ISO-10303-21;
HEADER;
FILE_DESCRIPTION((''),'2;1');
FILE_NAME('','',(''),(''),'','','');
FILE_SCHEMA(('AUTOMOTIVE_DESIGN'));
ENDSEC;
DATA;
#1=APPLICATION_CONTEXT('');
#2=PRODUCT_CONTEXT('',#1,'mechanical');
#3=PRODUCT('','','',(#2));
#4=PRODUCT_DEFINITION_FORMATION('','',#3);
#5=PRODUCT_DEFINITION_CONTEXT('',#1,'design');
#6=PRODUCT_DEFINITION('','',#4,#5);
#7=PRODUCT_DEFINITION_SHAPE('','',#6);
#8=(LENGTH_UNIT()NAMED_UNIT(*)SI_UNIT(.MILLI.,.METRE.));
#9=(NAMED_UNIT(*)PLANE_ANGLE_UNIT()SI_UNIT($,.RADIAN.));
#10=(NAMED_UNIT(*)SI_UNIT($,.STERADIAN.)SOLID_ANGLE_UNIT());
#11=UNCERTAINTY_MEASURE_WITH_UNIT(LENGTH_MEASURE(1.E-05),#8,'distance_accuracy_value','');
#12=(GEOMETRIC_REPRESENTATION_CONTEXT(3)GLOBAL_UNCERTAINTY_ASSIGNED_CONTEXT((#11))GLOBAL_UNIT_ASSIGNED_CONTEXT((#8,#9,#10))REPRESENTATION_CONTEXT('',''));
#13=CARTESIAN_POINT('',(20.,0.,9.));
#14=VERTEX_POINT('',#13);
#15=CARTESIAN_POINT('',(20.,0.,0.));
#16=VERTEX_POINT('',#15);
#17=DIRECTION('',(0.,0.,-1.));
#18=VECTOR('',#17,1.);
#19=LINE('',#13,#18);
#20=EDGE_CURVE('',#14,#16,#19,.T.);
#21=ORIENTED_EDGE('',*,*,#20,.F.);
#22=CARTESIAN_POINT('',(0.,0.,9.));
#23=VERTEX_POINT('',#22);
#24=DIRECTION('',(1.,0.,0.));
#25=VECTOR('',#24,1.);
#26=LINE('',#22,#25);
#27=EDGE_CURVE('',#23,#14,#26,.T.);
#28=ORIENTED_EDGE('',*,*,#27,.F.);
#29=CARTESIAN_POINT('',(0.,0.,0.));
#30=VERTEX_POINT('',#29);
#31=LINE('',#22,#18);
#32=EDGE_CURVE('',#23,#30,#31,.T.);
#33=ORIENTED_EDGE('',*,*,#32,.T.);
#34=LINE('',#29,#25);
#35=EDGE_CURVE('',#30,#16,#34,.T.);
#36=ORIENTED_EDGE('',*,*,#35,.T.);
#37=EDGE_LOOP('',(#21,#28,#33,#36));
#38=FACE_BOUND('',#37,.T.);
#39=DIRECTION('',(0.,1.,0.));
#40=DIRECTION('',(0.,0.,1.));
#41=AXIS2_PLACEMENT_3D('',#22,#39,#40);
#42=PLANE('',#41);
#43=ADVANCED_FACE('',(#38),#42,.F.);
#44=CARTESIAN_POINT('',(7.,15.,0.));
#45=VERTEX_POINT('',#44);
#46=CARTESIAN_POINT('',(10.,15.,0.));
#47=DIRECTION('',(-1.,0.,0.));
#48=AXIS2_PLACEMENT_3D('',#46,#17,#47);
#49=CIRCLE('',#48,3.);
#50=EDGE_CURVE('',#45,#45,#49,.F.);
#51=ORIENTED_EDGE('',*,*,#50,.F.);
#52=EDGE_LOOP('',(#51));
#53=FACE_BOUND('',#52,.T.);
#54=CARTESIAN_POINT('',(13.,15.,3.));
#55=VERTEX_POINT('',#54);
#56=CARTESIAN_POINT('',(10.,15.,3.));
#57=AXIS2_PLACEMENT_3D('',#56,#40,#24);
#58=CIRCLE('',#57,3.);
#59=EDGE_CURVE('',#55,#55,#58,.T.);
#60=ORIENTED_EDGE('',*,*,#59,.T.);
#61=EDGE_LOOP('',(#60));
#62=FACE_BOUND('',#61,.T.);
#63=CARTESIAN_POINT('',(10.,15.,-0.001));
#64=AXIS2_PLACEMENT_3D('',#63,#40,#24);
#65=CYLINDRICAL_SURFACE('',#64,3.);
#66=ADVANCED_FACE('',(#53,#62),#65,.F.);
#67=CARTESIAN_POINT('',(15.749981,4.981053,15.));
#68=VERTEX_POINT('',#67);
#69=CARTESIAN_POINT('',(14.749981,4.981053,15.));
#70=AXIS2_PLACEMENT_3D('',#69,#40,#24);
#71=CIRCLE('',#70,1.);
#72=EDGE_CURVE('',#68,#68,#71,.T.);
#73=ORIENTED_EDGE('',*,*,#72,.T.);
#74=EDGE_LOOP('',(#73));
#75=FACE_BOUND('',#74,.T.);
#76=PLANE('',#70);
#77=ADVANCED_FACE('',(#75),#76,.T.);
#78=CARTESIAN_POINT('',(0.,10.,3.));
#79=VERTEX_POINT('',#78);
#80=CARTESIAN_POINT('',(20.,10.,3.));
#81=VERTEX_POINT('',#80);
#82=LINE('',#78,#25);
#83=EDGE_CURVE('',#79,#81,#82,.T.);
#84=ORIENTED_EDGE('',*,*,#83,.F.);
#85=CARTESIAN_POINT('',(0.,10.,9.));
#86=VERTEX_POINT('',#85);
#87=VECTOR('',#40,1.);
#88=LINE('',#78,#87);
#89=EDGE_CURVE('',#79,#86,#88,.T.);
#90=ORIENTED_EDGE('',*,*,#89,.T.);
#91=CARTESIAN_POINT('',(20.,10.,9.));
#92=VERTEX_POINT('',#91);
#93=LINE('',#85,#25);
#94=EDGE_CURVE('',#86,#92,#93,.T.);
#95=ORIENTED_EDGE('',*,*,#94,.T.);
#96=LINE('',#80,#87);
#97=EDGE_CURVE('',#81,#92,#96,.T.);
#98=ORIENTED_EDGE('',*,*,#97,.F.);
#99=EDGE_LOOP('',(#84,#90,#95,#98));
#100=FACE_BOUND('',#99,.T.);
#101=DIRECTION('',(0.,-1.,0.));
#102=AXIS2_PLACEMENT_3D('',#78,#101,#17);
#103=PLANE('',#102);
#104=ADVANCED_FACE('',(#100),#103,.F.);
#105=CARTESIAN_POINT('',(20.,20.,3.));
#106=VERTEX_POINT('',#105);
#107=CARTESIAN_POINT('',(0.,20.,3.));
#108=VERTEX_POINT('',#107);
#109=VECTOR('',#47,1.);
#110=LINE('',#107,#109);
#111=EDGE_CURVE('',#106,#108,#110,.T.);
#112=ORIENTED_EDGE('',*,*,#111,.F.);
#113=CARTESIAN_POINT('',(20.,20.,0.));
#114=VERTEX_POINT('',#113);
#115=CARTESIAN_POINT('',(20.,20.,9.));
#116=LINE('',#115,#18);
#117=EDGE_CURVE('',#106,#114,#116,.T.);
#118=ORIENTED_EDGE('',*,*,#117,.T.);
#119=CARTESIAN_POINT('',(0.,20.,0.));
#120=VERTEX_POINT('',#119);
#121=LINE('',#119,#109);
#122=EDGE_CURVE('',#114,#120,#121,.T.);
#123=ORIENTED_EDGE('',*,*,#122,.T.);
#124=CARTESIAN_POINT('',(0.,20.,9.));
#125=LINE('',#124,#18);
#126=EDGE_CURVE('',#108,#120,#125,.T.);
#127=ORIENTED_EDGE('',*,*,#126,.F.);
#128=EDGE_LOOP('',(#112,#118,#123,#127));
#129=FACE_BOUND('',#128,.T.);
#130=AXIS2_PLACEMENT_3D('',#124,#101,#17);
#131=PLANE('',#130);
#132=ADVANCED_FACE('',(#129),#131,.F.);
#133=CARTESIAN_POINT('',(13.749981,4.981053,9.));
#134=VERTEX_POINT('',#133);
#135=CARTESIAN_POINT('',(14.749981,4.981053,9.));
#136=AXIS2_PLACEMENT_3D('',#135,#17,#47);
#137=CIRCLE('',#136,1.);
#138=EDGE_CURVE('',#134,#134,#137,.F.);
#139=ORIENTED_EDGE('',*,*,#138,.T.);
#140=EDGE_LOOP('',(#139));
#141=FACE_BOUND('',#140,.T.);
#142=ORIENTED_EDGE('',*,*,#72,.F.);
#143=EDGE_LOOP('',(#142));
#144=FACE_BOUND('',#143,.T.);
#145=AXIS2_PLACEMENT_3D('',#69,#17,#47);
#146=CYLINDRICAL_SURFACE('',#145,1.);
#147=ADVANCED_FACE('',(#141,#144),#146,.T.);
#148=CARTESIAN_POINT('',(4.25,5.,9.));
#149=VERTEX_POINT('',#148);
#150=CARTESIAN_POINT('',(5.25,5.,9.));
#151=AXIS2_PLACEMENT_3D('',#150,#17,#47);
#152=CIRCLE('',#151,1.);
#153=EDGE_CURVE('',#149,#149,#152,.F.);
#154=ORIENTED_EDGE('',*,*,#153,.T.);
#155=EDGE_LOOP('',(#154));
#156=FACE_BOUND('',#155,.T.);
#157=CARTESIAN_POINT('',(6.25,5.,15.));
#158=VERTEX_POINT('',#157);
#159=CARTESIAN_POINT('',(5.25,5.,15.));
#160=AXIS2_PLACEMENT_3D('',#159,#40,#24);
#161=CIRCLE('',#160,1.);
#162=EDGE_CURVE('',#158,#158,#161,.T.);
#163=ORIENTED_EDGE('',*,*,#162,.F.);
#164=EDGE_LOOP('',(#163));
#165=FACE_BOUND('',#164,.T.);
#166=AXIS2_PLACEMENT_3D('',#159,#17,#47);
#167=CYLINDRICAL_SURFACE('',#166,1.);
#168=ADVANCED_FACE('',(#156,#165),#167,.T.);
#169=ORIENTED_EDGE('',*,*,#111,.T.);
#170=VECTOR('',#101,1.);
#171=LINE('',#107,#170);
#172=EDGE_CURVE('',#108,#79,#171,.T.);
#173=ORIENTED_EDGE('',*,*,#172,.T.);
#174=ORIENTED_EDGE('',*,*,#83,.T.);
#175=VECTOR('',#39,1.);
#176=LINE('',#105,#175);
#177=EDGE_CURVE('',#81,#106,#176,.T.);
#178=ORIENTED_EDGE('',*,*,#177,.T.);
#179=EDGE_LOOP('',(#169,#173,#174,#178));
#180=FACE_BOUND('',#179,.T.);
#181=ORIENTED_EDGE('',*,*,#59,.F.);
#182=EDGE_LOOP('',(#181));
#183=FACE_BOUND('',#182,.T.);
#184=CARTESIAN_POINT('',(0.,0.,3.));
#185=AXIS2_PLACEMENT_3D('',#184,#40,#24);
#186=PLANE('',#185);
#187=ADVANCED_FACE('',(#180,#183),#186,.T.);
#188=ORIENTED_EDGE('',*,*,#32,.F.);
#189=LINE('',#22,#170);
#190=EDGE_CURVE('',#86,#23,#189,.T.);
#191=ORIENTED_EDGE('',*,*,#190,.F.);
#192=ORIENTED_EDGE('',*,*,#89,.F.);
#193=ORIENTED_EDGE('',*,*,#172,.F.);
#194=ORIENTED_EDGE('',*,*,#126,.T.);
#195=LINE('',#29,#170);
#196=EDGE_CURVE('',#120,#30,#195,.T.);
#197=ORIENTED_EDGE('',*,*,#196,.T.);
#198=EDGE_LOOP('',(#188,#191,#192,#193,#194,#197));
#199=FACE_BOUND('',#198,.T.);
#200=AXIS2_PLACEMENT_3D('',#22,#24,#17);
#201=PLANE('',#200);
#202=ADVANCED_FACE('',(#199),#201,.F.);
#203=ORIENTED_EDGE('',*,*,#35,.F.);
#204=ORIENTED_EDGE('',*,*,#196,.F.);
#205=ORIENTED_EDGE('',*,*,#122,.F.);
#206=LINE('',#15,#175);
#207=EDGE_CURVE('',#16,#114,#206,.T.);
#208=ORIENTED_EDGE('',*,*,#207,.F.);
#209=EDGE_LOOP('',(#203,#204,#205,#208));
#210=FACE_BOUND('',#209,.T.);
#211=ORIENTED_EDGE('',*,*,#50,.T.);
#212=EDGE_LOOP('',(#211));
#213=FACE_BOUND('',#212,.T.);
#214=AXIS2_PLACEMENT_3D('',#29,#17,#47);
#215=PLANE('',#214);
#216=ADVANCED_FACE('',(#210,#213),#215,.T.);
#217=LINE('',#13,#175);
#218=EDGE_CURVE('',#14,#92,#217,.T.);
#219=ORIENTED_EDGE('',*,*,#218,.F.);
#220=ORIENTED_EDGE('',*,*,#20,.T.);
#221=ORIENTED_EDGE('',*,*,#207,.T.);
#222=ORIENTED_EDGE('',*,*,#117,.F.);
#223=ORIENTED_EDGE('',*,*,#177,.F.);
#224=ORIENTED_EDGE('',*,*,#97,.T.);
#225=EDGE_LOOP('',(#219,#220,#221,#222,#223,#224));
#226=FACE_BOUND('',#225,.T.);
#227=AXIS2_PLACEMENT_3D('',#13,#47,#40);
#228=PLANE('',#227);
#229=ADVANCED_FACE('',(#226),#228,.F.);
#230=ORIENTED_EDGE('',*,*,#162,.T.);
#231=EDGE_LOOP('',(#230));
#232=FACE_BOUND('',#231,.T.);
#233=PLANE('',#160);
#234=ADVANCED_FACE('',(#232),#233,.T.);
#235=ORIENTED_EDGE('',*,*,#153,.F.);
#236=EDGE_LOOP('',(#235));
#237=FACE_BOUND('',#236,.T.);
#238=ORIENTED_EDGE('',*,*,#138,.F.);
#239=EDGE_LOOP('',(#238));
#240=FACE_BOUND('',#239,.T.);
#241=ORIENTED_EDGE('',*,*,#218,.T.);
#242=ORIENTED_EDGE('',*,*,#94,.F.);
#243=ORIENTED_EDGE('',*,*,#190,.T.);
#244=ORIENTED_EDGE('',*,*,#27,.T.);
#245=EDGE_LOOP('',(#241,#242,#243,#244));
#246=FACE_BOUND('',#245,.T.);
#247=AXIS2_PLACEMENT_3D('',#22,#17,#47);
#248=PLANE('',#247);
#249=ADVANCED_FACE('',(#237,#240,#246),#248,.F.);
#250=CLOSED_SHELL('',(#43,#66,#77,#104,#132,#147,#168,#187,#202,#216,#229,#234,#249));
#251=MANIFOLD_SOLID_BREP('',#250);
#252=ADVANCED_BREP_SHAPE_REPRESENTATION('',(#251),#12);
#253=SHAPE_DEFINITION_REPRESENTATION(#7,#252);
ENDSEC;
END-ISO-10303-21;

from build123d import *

# Parameters (mm, degrees)
SKETCH_1_W          = 20
SKETCH_1_H          = 20
EXTRUDE_1_DEPTH     = 9
SKETCH_2_R          = 1
EXTRUDE_2_DEPTH     = 6
SKETCH_3_W          = 20
SKETCH_3_H          = 10
CUT_EXTRUDE_1_DEPTH = 6
CUT_EXTRUDE_2_REACH = 32.725
SKETCH_4_R          = 3


with BuildPart() as part:
    # 草图1 → 凸台-拉伸1 (new body)
    with BuildSketch(Plane.XY):
        with Locations((10, 10)):
            Rectangle(SKETCH_1_W, SKETCH_1_H)
    extrude(amount=EXTRUDE_1_DEPTH)

    # 草图2 → 凸台-拉伸2 (add)
    with BuildSketch(Plane.XY.offset(9)):
        with Locations(Location((5.25, 5, 0), (0, 0, 180))):
            Circle(SKETCH_2_R)
        with Locations(Location((14.749981105, 4.981052524, 0), (0, 0, 180))):
            Circle(SKETCH_2_R)
    extrude(amount=EXTRUDE_2_DEPTH)

    # 草图3 → 切除-拉伸1 (cut)
    with BuildSketch(Plane.XY.offset(9)):
        with Locations((10, 15)):
            Rectangle(SKETCH_3_W, SKETCH_3_H)
    extrude(amount=-CUT_EXTRUDE_1_DEPTH, mode=Mode.SUBTRACT)

    # 草图4 → 切除-拉伸2 (cut, up to next)
    with BuildSketch(Plane.XY.offset(3), mode=Mode.PRIVATE) as cut_extrude_2_sk1:
        with Locations((10, 15)):
            Circle(SKETCH_4_R)
    cut_extrude_2_tool1 = extrude(cut_extrude_2_sk1.sketch, amount=-CUT_EXTRUDE_2_REACH, mode=Mode.PRIVATE) & part.part
    add(cut_extrude_2_tool1.solids().sort_by_distance((10, 15, 3))[0], mode=Mode.SUBTRACT)


solid = part.part
